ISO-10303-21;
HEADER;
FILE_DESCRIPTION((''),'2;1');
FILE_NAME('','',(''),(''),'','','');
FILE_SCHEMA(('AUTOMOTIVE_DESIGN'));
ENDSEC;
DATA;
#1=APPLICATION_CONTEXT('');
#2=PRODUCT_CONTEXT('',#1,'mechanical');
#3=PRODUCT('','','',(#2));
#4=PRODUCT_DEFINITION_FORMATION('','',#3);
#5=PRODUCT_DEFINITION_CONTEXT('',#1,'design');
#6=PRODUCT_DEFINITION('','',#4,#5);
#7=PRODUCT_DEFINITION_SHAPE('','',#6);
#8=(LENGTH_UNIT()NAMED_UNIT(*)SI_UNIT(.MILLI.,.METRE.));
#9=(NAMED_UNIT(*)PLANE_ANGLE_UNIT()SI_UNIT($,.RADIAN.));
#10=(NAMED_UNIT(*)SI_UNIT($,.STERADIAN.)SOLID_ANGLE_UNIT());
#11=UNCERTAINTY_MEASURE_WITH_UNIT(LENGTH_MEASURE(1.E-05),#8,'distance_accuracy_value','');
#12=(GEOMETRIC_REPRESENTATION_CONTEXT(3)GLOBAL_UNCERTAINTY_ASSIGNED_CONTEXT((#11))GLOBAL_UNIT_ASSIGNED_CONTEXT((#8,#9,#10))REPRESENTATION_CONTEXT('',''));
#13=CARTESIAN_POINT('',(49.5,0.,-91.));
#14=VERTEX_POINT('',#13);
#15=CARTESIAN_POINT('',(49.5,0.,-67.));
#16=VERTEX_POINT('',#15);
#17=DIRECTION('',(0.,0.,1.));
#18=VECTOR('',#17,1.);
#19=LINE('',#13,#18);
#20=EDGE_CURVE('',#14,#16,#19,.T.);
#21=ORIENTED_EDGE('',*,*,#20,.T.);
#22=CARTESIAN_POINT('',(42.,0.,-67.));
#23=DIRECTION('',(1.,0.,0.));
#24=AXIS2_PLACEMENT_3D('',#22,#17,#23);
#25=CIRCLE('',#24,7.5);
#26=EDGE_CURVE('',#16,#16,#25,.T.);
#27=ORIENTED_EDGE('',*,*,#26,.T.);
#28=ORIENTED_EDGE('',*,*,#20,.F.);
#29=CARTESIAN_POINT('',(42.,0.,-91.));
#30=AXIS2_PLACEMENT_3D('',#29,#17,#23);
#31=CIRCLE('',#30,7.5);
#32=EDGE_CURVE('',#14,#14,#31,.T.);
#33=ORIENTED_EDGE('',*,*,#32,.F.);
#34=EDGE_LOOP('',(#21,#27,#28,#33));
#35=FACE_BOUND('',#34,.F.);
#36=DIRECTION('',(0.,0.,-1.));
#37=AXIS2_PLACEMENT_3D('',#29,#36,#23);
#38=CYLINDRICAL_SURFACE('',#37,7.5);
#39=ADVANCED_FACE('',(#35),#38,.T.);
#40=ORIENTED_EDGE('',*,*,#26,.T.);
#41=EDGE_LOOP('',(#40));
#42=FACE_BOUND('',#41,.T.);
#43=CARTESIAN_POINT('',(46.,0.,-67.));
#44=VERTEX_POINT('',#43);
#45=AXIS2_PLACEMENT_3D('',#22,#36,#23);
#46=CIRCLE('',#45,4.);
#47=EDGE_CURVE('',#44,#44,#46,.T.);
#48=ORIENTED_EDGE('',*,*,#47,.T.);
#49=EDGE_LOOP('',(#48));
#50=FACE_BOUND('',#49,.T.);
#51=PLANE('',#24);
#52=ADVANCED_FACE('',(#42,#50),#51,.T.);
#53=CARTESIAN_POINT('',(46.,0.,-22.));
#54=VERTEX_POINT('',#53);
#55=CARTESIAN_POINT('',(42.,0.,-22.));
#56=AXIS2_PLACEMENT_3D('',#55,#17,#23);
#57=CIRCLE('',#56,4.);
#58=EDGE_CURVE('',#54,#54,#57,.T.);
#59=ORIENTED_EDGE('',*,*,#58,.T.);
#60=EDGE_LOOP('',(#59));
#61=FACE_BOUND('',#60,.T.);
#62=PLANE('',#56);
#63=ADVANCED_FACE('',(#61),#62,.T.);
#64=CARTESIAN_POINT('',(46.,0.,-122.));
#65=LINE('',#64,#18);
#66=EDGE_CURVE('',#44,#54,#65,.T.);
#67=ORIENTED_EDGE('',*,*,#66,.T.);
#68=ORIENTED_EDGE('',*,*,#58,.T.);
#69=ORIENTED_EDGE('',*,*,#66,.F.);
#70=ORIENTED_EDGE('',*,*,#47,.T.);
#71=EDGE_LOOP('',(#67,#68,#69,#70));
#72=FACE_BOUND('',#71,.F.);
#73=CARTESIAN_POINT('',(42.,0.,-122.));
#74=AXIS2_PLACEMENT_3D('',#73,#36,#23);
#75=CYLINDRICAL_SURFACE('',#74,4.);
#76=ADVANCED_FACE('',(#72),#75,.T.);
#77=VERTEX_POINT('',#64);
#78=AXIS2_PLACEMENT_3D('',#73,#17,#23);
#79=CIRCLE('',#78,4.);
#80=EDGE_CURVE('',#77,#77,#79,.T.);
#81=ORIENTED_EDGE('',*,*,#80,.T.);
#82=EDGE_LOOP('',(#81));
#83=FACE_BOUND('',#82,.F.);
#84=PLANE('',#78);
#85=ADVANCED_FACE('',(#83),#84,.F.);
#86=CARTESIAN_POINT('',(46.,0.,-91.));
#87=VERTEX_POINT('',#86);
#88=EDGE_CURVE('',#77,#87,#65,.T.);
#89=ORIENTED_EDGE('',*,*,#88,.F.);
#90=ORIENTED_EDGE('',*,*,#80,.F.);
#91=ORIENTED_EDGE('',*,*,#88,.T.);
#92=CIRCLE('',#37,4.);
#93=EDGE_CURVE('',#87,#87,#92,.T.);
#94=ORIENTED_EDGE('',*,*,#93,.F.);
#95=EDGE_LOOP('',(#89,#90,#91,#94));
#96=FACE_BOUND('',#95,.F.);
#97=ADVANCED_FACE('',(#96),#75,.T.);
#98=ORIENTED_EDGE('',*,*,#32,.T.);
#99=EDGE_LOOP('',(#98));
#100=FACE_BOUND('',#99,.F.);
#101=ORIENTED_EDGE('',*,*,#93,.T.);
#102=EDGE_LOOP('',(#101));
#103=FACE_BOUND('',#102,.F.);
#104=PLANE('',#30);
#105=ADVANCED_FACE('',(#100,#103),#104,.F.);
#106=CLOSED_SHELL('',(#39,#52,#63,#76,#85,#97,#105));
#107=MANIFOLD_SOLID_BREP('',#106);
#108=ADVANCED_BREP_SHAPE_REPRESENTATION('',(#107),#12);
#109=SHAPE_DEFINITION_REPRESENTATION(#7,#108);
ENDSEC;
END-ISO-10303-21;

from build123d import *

# Parameters (mm, degrees)
CYLINDER007_R     = 4
CYLINDER007_DEPTH = 100
CYLINDER013_R     = 7.5
CYLINDER013_DEPTH = 24


with BuildPart() as rod_cylinder:
    # Cylinder007 → Cylinder007 (new body)
    with BuildSketch(Plane(origin=(42, 0, -122), x_dir=(1, 0, 0), z_dir=(0, 0, 1))):
        Circle(CYLINDER007_R)
    extrude(amount=CYLINDER007_DEPTH)


with BuildPart() as rod_fusion:
    # Cylinder013 → Cylinder013 (new body)
    with BuildSketch(Plane(origin=(42, 0, -91), x_dir=(1, 0, 0), z_dir=(0, 0, 1))):
        Circle(CYLINDER013_R)
    extrude(amount=CYLINDER013_DEPTH)

    # Fusion005: union rod cylinder
    add(rod_cylinder.part)


solid = rod_fusion.part
